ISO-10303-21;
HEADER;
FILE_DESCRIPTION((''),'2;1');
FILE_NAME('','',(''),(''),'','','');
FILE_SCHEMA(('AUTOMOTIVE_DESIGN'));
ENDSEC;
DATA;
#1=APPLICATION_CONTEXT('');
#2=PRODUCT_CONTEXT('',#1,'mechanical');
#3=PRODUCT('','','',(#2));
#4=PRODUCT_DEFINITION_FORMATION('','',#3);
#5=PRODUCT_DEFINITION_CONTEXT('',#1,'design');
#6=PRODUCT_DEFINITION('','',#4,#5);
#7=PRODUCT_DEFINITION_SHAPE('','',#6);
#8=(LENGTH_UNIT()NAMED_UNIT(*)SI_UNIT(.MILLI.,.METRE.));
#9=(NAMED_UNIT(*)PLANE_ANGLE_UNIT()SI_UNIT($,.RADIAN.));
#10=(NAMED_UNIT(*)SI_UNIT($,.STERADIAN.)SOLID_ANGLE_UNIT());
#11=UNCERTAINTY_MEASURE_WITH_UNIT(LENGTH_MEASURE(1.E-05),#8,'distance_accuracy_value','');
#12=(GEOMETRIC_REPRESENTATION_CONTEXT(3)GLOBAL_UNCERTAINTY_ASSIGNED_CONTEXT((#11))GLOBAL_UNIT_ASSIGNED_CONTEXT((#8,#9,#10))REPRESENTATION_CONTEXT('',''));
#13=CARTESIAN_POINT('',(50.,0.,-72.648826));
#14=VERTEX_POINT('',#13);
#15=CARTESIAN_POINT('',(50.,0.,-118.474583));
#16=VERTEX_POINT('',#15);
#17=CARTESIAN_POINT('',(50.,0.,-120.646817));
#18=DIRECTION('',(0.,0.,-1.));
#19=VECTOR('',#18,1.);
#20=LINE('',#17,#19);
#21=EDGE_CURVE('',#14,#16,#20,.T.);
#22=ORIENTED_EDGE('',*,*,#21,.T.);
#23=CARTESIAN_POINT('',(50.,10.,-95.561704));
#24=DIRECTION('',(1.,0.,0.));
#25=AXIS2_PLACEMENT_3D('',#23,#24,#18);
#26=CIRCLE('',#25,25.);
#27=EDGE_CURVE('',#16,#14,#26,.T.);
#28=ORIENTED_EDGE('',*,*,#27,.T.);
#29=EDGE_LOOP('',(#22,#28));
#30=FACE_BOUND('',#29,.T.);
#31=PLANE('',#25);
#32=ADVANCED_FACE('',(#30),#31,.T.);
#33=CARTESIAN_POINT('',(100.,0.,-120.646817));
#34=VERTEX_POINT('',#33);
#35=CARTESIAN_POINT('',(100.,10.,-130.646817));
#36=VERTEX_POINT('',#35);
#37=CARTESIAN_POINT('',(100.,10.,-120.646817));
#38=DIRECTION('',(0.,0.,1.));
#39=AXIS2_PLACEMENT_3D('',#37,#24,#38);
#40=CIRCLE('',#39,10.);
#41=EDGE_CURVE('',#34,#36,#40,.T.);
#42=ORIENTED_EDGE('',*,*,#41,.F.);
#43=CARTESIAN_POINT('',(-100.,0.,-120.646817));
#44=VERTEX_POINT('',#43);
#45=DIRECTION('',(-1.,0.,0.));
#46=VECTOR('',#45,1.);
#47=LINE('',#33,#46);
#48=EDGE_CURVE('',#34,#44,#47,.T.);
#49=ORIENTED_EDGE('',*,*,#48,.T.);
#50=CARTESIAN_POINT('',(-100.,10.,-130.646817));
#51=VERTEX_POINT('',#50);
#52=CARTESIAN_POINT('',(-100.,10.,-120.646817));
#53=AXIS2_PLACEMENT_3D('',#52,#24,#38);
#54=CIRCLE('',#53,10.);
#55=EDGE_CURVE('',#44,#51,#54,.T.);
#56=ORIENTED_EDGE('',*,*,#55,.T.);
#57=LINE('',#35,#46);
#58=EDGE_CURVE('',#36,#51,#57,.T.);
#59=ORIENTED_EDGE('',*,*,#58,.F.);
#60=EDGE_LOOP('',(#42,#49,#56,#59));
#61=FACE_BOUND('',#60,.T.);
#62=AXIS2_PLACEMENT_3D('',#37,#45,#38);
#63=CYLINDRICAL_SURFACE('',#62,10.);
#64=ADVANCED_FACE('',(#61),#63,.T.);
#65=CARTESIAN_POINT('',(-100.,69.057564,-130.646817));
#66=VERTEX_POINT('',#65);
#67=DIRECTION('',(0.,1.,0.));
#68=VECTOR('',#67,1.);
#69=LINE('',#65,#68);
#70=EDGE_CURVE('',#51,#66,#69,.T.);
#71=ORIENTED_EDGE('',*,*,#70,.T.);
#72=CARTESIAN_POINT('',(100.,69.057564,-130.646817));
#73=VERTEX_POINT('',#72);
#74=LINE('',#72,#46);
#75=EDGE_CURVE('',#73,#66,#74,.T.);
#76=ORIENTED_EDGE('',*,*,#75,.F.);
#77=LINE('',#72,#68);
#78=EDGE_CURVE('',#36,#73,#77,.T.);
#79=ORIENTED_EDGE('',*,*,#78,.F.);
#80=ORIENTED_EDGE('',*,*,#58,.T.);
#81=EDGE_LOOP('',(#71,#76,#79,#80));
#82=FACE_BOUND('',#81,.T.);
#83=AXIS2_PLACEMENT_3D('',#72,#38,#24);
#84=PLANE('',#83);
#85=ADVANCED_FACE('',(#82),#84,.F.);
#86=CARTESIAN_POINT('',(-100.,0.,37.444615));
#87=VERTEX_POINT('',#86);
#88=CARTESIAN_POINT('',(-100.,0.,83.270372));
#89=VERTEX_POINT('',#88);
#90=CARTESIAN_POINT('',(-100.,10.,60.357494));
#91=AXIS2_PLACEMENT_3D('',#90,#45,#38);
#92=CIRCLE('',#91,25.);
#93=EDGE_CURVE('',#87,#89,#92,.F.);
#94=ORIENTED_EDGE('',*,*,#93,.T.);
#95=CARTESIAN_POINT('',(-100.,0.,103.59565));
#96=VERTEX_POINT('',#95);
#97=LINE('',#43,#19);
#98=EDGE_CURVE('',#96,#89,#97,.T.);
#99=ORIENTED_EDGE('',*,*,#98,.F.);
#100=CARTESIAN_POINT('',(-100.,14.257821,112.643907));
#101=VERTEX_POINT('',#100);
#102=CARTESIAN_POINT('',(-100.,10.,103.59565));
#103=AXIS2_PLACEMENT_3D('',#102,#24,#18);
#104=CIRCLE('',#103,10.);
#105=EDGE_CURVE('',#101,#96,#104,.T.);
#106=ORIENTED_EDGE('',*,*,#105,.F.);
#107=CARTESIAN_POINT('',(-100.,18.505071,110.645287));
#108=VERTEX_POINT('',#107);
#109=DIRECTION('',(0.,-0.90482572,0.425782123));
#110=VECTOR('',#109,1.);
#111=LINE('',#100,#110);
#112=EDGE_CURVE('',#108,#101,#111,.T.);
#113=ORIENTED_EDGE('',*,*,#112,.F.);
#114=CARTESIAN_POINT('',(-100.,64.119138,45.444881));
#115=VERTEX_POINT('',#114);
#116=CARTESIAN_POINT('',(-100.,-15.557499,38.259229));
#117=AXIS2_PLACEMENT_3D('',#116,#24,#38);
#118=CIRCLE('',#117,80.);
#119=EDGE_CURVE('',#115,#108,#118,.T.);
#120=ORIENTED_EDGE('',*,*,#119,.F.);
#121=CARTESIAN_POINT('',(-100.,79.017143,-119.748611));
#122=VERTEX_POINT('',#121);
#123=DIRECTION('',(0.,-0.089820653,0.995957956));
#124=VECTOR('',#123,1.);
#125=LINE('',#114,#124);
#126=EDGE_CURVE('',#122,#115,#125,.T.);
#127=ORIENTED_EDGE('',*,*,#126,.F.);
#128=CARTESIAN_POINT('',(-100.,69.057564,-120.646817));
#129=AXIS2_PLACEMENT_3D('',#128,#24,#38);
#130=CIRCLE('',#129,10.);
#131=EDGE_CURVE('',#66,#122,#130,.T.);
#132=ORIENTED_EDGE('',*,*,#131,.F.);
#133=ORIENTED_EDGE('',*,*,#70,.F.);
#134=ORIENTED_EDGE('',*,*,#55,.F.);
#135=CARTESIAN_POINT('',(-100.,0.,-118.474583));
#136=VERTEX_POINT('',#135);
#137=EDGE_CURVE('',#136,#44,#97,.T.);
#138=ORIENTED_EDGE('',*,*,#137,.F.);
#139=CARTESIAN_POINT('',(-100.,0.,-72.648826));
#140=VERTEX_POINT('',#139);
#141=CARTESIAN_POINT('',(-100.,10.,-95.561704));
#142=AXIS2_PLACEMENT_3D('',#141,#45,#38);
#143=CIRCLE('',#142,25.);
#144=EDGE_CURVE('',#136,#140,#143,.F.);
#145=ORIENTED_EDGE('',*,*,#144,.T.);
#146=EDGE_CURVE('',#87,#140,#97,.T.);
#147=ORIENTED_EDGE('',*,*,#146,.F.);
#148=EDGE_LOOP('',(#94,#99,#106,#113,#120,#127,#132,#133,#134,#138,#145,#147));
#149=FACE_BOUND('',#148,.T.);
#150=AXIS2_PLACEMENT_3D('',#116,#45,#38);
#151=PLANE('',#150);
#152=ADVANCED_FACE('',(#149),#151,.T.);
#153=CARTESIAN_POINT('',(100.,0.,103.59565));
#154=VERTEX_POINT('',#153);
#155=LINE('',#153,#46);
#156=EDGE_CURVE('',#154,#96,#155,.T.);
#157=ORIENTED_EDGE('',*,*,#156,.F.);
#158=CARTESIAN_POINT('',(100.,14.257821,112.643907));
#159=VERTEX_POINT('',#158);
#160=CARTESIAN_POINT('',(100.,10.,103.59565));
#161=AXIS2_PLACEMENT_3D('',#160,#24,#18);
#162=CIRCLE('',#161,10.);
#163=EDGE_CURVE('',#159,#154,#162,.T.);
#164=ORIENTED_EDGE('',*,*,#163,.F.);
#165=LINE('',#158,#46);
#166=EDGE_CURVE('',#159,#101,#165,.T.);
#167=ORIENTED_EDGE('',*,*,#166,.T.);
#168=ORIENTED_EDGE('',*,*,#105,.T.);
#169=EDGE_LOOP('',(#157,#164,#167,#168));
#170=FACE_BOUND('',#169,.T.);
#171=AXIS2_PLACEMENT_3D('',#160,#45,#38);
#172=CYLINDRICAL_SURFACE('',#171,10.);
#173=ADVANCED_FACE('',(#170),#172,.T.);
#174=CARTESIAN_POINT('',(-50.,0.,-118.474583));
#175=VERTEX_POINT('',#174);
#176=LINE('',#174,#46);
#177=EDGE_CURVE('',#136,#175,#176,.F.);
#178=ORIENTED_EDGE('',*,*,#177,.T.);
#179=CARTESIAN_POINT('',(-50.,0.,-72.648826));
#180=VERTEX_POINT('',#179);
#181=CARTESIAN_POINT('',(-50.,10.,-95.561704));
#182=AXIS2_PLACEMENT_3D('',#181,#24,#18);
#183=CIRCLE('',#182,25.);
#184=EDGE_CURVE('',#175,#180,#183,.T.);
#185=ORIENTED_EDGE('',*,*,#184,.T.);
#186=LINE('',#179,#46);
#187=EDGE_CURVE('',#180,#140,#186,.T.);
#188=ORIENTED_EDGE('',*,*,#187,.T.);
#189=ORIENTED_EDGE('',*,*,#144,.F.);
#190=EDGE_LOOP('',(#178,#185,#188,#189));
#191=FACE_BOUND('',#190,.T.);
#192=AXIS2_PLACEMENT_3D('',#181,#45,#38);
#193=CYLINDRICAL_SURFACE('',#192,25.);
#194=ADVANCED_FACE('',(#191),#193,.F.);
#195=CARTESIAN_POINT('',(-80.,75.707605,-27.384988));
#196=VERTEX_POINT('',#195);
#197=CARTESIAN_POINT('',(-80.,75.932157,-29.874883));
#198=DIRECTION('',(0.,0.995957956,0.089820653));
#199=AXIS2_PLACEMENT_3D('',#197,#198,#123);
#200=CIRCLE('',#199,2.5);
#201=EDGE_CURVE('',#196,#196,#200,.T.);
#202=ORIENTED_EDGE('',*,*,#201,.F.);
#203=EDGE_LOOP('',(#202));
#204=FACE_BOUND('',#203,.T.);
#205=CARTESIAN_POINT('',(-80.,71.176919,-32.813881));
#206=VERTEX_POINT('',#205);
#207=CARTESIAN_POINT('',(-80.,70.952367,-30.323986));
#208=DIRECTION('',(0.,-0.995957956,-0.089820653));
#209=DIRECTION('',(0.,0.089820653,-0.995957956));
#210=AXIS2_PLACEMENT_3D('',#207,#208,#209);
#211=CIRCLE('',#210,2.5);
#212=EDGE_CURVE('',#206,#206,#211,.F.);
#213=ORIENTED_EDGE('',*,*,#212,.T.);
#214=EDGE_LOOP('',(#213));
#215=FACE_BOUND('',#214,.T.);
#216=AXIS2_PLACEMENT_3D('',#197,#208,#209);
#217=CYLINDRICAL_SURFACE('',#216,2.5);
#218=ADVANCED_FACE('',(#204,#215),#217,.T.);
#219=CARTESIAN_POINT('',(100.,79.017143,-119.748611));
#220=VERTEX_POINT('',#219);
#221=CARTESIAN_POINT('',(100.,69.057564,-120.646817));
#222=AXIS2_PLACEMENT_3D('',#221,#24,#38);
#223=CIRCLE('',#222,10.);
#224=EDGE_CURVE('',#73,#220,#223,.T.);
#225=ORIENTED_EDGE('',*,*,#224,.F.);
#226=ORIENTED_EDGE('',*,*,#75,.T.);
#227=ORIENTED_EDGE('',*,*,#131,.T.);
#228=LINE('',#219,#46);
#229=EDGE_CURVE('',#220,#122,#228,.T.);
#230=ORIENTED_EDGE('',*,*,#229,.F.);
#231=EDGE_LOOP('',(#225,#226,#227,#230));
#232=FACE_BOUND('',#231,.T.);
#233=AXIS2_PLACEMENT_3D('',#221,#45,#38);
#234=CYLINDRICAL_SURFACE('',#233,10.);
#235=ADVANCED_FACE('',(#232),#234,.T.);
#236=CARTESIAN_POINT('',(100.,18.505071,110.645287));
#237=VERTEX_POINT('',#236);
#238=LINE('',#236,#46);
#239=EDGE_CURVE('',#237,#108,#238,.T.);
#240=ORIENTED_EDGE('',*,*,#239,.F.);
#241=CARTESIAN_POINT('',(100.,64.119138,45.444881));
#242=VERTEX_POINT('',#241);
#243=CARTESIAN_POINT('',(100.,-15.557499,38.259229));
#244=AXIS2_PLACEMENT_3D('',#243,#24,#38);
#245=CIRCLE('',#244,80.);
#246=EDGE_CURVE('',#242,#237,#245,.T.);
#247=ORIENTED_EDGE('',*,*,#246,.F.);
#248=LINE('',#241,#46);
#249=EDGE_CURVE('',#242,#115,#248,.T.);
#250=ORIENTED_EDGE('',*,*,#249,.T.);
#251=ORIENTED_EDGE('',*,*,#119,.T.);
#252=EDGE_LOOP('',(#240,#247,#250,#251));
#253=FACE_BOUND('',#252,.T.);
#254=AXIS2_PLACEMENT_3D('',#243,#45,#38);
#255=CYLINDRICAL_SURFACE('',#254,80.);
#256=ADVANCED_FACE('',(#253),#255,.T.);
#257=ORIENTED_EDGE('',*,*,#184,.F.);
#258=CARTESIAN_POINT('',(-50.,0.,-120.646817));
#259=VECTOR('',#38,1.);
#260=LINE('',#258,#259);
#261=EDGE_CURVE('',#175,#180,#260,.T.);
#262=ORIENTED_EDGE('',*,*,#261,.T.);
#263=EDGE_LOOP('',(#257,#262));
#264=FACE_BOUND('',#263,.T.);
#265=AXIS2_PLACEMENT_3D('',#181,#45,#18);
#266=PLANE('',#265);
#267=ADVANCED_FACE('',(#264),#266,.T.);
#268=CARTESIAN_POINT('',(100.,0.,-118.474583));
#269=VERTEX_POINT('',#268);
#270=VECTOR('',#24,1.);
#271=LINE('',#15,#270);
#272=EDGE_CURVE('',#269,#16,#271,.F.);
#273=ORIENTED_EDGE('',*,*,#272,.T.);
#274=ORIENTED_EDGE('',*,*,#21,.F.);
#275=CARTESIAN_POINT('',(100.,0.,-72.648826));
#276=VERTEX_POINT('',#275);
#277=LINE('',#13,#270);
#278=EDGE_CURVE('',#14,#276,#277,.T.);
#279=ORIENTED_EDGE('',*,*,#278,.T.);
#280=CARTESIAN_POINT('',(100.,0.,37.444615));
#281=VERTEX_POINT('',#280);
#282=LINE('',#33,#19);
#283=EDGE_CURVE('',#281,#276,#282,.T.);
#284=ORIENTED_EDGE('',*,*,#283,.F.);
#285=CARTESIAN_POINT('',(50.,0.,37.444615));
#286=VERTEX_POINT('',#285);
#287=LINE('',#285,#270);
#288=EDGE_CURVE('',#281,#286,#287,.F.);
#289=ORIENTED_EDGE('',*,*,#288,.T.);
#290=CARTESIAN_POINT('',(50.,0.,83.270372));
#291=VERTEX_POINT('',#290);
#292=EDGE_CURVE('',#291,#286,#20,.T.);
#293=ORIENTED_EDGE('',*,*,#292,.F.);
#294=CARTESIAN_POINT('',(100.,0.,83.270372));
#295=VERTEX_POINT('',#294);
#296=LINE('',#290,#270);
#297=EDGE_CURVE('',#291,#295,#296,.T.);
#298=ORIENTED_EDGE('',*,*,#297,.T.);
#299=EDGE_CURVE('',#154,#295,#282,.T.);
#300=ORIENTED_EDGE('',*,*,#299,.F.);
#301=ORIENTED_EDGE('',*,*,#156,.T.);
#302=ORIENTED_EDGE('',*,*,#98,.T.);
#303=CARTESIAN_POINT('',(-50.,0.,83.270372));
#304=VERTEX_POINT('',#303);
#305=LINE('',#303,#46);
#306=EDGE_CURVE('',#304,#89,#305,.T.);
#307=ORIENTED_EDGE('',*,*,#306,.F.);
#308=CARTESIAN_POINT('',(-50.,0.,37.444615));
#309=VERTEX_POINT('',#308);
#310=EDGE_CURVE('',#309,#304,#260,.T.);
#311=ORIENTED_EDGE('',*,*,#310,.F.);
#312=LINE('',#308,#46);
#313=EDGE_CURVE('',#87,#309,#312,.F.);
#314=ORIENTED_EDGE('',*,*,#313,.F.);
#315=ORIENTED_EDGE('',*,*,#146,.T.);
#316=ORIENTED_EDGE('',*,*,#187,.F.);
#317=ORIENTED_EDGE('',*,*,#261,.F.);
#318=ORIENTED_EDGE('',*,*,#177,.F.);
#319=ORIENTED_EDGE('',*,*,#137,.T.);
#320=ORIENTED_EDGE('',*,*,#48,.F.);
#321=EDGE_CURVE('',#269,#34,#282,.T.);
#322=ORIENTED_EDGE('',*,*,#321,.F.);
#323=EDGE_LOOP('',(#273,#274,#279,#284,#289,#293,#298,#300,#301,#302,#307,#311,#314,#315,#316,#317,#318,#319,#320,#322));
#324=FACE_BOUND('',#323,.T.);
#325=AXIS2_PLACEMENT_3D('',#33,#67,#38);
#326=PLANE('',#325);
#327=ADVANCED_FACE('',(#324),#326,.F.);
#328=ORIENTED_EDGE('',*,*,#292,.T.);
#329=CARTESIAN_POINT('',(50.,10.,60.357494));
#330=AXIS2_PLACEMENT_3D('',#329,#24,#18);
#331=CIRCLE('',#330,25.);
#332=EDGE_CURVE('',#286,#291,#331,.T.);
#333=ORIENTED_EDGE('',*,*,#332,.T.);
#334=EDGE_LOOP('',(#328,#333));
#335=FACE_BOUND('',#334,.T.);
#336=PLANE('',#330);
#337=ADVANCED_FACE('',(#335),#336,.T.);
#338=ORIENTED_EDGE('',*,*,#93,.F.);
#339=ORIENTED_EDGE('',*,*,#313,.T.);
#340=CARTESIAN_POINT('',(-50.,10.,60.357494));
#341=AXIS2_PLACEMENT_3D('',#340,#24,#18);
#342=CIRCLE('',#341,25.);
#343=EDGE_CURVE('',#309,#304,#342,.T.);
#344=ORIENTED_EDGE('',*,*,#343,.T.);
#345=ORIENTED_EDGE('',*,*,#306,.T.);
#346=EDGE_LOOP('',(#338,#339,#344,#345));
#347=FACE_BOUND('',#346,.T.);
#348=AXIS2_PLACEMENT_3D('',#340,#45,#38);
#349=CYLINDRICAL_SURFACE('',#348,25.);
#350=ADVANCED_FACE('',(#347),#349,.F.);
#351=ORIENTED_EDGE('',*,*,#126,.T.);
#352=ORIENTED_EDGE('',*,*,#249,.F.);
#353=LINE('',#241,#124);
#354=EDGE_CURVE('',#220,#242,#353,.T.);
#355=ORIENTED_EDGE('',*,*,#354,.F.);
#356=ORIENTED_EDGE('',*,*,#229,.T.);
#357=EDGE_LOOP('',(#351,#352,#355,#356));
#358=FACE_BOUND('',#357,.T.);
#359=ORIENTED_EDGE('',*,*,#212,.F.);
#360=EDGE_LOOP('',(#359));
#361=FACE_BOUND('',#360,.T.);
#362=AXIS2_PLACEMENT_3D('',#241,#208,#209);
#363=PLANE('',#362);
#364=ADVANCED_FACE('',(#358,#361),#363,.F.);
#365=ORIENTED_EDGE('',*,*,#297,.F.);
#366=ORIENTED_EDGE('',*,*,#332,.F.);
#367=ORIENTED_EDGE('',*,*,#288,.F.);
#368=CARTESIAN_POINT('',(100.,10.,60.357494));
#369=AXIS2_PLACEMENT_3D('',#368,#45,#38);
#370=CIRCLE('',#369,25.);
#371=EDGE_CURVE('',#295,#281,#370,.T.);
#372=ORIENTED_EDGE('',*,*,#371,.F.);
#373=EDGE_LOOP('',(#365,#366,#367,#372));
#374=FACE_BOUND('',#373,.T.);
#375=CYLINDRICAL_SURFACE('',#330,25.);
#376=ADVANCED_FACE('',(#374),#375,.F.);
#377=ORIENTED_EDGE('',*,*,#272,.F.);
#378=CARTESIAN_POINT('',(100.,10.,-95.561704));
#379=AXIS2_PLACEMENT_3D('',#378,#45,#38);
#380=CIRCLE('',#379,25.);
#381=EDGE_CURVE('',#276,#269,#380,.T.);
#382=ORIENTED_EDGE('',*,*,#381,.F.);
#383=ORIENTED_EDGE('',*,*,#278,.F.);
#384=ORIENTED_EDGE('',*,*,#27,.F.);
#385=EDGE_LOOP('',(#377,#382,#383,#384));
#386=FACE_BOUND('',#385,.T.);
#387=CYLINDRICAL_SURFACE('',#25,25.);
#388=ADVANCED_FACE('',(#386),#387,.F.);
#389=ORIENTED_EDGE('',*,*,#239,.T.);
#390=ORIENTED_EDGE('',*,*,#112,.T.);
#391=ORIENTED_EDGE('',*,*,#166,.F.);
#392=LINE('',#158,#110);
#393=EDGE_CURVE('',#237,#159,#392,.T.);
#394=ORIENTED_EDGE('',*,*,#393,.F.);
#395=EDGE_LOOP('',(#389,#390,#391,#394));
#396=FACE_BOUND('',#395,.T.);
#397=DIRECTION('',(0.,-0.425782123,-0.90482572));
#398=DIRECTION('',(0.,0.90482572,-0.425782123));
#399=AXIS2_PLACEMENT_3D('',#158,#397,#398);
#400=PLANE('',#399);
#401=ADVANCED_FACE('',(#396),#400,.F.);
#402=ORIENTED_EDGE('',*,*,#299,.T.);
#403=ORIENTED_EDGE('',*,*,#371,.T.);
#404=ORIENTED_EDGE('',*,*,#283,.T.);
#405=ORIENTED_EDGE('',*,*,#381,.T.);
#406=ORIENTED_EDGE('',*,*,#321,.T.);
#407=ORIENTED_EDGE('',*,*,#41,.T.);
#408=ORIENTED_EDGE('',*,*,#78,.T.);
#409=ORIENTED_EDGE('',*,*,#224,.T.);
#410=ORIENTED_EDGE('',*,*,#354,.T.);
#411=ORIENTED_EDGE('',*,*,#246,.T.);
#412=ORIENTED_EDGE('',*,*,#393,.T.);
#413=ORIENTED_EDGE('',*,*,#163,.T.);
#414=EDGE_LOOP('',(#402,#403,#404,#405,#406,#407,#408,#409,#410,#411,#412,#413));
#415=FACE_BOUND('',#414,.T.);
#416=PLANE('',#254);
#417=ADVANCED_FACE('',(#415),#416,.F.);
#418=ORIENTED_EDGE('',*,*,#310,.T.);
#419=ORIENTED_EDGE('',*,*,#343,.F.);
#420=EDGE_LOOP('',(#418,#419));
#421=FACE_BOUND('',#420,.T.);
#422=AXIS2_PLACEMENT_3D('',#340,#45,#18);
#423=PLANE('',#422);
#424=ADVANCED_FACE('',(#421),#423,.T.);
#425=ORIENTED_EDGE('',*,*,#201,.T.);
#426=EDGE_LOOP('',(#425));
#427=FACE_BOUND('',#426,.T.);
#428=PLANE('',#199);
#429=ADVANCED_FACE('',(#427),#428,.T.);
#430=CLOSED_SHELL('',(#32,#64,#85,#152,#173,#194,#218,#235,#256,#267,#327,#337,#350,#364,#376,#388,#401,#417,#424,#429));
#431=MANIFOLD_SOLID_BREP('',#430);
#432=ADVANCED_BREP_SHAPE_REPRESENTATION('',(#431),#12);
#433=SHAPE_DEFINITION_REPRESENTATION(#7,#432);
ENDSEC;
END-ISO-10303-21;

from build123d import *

# Parameters (mm, degrees)
BOSS_EXTRUDE1_DEPTH = 100
SKETCH3_R           = 25
CUT_EXTRUDE1_DEPTH  = 50
SKETCH4_R           = 2.5
BOSS_EXTRUDE2_DEPTH = 5


with BuildPart() as part:
    # Sketch2 → Boss-Extrude1 (new, symmetric)
    with BuildSketch(Plane(origin=(0, 0, 0), x_dir=(0, 0, -1), z_dir=(1, 0, 0))):
        with BuildLine():
            Line((-112.643906845, 14.257821235), (-110.645286598, 18.505070953))
            ThreePointArc((-110.645286598, 18.505070953), (-84.118524888, 49.993435328), (-45.444881226, 64.119137564))
            Line((-45.444881226, 64.119137564), (119.748610721, 79.017143226))
            ThreePointArc((119.748610721, 79.017143226), (127.392850703, 76.439367824), (130.646817248, 69.057563665))
            Line((130.646817248, 69.057563665), (130.646817248, 10))
            ThreePointArc((130.646817248, 10), (127.71788506, 2.928932188), (120.646817248, 0))
            Line((120.646817248, 0), (-103.595649647, 0))
            ThreePointArc((-103.595649647, 0), (-112.038937287, 4.641745263), (-112.643906845, 14.257821235))
        make_face()
    extrude(amount=BOSS_EXTRUDE1_DEPTH, both=True)

    # Sketch3 → Cut-Extrude1 (cut)
    with BuildSketch(Plane(origin=(100, 0, 0), x_dir=(0, 0, -1), z_dir=(1, 0, 0))):
        with Locations((-60.35749377, 10)):
            Circle(SKETCH3_R)
        with Locations((95.561704497, 10)):
            Circle(SKETCH3_R)
    cut_extrude1 = extrude(amount=-CUT_EXTRUDE1_DEPTH, mode=Mode.SUBTRACT)

    # Mirror1: Cut-Extrude1 across plane
    add(cut_extrude1.mirror(Plane(origin=(0, 0, 0), x_dir=(0, 0, 1), z_dir=(1, 0, 0))), mode=Mode.SUBTRACT)

    # Sketch4 → Boss-Extrude2 (add)
    with BuildSketch(Plane(origin=(0, 67.667230134, 6.102581681), x_dir=(1, 0, 0), z_dir=(0, 0.9959579561140941, 0.0898206527088083))):
        with Locations(Location((-80, 36.574402855, 0), (0, 0, 90))):
            Circle(SKETCH4_R)
    extrude(amount=BOSS_EXTRUDE2_DEPTH)


solid = part.part
